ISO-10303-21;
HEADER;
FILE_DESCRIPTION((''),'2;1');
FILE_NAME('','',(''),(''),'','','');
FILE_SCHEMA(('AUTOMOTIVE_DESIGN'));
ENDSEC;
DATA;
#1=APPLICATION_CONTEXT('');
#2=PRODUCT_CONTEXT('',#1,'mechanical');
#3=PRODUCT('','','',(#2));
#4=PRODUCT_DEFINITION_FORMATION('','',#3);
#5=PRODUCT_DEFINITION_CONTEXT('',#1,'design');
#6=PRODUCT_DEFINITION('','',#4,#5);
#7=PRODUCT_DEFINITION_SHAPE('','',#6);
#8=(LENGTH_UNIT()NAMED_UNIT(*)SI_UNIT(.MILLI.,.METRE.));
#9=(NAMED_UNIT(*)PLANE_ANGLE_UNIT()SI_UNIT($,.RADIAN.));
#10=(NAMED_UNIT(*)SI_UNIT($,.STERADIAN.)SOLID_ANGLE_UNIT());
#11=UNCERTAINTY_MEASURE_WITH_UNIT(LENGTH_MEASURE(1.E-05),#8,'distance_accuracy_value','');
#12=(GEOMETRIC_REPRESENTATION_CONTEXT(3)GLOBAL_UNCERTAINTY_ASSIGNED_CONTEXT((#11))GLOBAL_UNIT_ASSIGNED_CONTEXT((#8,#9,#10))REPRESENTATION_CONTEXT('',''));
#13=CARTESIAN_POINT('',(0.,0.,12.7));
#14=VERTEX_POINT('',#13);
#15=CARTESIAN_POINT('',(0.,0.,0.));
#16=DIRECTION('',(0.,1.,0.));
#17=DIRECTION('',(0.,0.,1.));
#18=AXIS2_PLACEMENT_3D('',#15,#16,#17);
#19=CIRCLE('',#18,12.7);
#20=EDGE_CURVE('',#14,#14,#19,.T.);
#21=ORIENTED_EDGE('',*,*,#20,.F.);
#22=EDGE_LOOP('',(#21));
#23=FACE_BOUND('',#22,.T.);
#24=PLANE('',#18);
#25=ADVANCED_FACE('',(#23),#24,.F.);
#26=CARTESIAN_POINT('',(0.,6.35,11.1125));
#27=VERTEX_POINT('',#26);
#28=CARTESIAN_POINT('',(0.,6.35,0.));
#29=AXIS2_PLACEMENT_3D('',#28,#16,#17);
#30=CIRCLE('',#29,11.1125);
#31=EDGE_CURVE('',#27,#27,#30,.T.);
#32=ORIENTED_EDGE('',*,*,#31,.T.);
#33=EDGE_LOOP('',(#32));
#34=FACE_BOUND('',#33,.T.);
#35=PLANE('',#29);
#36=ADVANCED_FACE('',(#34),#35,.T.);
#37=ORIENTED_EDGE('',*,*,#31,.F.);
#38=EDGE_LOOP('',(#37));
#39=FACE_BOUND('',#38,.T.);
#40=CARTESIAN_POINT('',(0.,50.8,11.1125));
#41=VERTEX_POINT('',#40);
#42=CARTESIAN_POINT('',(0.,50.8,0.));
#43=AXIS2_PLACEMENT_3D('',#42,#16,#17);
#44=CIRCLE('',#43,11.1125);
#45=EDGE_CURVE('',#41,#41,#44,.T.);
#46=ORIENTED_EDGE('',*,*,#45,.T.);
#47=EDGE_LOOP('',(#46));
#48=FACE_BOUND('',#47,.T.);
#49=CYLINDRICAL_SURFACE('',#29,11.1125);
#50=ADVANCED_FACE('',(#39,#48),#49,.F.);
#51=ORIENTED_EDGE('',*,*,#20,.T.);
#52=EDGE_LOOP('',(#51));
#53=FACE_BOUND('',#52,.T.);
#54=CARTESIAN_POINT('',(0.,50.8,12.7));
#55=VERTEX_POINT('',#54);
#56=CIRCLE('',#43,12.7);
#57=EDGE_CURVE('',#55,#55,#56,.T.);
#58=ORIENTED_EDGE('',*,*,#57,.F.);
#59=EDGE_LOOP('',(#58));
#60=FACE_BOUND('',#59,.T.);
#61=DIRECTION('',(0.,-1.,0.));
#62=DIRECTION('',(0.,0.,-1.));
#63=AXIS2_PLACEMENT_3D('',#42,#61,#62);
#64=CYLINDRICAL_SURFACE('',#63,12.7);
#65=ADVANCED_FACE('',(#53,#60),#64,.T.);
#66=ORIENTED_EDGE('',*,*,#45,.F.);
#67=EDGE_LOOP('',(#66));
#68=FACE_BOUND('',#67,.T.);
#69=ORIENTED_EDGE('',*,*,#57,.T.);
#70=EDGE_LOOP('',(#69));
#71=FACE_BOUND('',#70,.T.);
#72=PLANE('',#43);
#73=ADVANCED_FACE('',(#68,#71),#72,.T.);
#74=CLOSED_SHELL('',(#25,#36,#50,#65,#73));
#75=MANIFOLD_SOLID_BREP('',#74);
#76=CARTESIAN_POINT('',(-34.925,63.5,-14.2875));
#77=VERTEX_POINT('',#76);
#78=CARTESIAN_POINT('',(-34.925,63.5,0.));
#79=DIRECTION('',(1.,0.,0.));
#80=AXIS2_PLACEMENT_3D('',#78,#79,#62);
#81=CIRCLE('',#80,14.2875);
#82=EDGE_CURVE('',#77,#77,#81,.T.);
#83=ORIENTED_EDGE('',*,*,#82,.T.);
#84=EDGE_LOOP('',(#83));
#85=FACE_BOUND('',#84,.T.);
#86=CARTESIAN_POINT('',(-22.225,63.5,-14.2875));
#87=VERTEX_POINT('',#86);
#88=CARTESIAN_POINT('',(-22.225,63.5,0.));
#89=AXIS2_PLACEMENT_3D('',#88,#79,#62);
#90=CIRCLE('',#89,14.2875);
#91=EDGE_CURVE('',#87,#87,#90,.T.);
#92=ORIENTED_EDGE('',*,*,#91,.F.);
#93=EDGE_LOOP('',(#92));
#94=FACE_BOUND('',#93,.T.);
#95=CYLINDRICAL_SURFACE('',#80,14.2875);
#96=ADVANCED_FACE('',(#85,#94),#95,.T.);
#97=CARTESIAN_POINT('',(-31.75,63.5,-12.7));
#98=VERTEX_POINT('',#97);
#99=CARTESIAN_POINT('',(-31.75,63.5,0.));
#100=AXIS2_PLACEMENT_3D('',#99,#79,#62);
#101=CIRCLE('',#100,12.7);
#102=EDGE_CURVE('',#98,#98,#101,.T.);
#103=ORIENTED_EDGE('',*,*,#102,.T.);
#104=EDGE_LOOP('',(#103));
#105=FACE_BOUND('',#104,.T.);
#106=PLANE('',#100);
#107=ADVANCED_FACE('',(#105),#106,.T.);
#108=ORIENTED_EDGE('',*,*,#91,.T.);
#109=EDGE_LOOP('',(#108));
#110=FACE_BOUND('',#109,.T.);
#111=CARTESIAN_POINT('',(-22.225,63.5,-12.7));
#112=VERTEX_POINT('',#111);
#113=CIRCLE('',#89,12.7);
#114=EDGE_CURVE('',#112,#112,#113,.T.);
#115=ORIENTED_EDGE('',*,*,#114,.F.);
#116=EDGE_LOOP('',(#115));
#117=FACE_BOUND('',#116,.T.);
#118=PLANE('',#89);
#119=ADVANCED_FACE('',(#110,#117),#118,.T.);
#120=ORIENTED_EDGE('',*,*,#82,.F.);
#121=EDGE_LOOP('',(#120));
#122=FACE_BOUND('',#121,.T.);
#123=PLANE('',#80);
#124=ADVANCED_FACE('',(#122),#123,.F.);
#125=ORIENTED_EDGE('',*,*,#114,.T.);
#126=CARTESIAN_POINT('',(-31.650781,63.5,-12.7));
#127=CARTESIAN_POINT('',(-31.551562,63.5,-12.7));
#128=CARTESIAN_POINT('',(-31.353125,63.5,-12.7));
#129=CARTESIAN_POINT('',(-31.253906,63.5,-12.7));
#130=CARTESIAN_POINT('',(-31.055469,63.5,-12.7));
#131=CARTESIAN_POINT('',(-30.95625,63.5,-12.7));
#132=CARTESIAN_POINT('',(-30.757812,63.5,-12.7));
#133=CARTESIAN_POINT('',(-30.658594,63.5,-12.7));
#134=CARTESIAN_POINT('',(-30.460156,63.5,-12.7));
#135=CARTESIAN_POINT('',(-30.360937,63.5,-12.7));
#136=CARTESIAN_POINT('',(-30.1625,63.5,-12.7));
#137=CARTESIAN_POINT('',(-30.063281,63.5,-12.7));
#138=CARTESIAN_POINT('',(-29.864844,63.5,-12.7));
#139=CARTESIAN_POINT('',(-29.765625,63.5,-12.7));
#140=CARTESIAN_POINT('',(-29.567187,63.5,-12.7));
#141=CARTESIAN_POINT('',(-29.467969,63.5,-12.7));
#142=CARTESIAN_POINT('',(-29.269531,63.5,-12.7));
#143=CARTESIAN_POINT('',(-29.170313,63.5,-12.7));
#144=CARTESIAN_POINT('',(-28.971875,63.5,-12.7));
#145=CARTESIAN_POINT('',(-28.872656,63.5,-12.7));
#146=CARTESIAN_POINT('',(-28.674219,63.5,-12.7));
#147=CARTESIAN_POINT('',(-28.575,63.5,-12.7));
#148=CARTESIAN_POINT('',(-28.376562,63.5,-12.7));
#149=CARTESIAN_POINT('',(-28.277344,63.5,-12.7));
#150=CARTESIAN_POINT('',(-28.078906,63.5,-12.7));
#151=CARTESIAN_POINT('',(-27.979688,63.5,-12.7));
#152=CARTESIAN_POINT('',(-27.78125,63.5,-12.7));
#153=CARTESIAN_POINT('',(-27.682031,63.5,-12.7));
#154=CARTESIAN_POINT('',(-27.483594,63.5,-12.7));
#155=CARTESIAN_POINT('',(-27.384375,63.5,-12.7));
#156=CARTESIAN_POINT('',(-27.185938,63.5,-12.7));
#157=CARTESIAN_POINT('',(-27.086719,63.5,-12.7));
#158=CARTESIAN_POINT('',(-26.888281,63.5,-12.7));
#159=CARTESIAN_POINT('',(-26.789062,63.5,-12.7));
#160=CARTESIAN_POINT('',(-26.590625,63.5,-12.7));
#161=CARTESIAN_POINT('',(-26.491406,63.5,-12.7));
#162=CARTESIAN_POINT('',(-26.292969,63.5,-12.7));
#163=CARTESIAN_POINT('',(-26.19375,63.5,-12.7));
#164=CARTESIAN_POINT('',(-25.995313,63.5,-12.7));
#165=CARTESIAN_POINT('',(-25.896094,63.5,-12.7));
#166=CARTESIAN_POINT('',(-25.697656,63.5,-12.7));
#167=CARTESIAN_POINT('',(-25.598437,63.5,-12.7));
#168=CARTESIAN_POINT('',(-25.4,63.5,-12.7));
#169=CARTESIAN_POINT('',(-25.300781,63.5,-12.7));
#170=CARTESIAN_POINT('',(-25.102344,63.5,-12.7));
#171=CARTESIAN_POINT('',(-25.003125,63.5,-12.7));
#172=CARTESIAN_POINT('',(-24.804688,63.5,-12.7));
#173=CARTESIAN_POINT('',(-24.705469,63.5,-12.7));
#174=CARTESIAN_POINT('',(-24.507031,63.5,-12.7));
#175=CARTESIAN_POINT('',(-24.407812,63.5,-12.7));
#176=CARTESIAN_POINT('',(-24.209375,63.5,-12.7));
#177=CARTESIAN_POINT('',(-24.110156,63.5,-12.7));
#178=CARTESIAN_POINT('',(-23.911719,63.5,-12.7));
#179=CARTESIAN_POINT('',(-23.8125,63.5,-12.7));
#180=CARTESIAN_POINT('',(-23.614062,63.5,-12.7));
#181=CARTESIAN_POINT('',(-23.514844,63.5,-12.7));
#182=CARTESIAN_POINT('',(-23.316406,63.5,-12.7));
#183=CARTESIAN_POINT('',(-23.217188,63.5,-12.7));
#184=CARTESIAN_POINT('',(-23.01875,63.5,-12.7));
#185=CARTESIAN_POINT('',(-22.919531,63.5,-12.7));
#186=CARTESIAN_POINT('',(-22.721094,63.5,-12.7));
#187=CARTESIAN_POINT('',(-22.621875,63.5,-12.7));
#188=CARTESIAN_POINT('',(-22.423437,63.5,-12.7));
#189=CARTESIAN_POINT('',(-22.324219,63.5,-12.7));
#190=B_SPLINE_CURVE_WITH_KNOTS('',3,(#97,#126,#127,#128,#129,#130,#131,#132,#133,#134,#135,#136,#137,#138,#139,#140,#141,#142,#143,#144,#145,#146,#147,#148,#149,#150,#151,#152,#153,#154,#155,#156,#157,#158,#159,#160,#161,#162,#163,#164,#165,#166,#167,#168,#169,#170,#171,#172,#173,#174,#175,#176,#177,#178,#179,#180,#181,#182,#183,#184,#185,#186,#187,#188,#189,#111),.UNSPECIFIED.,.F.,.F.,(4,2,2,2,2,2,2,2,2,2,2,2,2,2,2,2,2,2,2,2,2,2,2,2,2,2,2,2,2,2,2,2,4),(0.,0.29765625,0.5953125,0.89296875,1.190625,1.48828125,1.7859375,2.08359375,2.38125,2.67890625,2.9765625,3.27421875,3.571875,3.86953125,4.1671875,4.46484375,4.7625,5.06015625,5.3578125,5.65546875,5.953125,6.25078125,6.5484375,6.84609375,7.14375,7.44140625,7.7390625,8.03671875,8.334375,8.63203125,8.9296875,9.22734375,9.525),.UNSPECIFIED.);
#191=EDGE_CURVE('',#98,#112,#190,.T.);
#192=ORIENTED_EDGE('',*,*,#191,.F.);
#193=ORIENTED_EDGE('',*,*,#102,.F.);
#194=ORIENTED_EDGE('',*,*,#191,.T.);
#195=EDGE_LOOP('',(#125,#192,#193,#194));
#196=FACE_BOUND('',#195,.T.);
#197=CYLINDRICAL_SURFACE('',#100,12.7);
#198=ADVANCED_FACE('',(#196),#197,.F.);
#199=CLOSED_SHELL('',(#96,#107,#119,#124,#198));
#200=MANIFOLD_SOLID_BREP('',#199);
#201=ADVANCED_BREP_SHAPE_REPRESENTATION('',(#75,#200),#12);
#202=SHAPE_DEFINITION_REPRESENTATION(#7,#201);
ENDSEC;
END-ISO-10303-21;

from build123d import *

# Parameters (mm, degrees)
SKETCH1_R           = 12.7
BOSS_EXTRUDE1_DEPTH = 50.8
SKETCH2_R           = 11.1125
CUT_EXTRUDE1_DEPTH  = 44.45
SKETCH3_R           = 14.2875
BOSS_EXTRUDE2_DEPTH = 12.7
SKETCH4_R           = 12.7
CUT_EXTRUDE2_DEPTH  = 9.525


with BuildPart() as part:
    # Sketch1 → Boss-Extrude1 (new body)
    with BuildSketch(Plane(origin=(0, 0, 0), x_dir=(1, 0, 0), z_dir=(0, 1, 0))):
        with Locations(Location((0, 0, 0), (0, 0, 270))):
            Circle(SKETCH1_R)
    extrude(amount=BOSS_EXTRUDE1_DEPTH)

    # Sketch2 → Cut-Extrude1 (cut)
    with BuildSketch(Plane(origin=(0, 50.8, 0), x_dir=(1, 0, 0), z_dir=(0, 1, 0))):
        with Locations(Location((0, 0, 0), (0, 0, 270))):
            Circle(SKETCH2_R)
    extrude(amount=-CUT_EXTRUDE1_DEPTH, mode=Mode.SUBTRACT)


with BuildPart() as body_2:
    # Sketch3 → Boss-Extrude2 (new body)
    with BuildSketch(Plane(origin=(-22.225, 0, 0), x_dir=(0, 0, -1), z_dir=(1, 0, 0))):
        with Locations((0, 63.5)):
            Circle(SKETCH3_R)
    extrude(amount=-BOSS_EXTRUDE2_DEPTH)

    # Sketch4 → Cut-Extrude2 (cut)
    with BuildSketch(Plane(origin=(-22.225, 0, 0), x_dir=(0, 0, -1), z_dir=(1, 0, 0))):
        with Locations((0, 63.5)):
            Circle(SKETCH4_R)
    extrude(amount=-CUT_EXTRUDE2_DEPTH, mode=Mode.SUBTRACT)


solid = Compound([part.part, body_2.part])
